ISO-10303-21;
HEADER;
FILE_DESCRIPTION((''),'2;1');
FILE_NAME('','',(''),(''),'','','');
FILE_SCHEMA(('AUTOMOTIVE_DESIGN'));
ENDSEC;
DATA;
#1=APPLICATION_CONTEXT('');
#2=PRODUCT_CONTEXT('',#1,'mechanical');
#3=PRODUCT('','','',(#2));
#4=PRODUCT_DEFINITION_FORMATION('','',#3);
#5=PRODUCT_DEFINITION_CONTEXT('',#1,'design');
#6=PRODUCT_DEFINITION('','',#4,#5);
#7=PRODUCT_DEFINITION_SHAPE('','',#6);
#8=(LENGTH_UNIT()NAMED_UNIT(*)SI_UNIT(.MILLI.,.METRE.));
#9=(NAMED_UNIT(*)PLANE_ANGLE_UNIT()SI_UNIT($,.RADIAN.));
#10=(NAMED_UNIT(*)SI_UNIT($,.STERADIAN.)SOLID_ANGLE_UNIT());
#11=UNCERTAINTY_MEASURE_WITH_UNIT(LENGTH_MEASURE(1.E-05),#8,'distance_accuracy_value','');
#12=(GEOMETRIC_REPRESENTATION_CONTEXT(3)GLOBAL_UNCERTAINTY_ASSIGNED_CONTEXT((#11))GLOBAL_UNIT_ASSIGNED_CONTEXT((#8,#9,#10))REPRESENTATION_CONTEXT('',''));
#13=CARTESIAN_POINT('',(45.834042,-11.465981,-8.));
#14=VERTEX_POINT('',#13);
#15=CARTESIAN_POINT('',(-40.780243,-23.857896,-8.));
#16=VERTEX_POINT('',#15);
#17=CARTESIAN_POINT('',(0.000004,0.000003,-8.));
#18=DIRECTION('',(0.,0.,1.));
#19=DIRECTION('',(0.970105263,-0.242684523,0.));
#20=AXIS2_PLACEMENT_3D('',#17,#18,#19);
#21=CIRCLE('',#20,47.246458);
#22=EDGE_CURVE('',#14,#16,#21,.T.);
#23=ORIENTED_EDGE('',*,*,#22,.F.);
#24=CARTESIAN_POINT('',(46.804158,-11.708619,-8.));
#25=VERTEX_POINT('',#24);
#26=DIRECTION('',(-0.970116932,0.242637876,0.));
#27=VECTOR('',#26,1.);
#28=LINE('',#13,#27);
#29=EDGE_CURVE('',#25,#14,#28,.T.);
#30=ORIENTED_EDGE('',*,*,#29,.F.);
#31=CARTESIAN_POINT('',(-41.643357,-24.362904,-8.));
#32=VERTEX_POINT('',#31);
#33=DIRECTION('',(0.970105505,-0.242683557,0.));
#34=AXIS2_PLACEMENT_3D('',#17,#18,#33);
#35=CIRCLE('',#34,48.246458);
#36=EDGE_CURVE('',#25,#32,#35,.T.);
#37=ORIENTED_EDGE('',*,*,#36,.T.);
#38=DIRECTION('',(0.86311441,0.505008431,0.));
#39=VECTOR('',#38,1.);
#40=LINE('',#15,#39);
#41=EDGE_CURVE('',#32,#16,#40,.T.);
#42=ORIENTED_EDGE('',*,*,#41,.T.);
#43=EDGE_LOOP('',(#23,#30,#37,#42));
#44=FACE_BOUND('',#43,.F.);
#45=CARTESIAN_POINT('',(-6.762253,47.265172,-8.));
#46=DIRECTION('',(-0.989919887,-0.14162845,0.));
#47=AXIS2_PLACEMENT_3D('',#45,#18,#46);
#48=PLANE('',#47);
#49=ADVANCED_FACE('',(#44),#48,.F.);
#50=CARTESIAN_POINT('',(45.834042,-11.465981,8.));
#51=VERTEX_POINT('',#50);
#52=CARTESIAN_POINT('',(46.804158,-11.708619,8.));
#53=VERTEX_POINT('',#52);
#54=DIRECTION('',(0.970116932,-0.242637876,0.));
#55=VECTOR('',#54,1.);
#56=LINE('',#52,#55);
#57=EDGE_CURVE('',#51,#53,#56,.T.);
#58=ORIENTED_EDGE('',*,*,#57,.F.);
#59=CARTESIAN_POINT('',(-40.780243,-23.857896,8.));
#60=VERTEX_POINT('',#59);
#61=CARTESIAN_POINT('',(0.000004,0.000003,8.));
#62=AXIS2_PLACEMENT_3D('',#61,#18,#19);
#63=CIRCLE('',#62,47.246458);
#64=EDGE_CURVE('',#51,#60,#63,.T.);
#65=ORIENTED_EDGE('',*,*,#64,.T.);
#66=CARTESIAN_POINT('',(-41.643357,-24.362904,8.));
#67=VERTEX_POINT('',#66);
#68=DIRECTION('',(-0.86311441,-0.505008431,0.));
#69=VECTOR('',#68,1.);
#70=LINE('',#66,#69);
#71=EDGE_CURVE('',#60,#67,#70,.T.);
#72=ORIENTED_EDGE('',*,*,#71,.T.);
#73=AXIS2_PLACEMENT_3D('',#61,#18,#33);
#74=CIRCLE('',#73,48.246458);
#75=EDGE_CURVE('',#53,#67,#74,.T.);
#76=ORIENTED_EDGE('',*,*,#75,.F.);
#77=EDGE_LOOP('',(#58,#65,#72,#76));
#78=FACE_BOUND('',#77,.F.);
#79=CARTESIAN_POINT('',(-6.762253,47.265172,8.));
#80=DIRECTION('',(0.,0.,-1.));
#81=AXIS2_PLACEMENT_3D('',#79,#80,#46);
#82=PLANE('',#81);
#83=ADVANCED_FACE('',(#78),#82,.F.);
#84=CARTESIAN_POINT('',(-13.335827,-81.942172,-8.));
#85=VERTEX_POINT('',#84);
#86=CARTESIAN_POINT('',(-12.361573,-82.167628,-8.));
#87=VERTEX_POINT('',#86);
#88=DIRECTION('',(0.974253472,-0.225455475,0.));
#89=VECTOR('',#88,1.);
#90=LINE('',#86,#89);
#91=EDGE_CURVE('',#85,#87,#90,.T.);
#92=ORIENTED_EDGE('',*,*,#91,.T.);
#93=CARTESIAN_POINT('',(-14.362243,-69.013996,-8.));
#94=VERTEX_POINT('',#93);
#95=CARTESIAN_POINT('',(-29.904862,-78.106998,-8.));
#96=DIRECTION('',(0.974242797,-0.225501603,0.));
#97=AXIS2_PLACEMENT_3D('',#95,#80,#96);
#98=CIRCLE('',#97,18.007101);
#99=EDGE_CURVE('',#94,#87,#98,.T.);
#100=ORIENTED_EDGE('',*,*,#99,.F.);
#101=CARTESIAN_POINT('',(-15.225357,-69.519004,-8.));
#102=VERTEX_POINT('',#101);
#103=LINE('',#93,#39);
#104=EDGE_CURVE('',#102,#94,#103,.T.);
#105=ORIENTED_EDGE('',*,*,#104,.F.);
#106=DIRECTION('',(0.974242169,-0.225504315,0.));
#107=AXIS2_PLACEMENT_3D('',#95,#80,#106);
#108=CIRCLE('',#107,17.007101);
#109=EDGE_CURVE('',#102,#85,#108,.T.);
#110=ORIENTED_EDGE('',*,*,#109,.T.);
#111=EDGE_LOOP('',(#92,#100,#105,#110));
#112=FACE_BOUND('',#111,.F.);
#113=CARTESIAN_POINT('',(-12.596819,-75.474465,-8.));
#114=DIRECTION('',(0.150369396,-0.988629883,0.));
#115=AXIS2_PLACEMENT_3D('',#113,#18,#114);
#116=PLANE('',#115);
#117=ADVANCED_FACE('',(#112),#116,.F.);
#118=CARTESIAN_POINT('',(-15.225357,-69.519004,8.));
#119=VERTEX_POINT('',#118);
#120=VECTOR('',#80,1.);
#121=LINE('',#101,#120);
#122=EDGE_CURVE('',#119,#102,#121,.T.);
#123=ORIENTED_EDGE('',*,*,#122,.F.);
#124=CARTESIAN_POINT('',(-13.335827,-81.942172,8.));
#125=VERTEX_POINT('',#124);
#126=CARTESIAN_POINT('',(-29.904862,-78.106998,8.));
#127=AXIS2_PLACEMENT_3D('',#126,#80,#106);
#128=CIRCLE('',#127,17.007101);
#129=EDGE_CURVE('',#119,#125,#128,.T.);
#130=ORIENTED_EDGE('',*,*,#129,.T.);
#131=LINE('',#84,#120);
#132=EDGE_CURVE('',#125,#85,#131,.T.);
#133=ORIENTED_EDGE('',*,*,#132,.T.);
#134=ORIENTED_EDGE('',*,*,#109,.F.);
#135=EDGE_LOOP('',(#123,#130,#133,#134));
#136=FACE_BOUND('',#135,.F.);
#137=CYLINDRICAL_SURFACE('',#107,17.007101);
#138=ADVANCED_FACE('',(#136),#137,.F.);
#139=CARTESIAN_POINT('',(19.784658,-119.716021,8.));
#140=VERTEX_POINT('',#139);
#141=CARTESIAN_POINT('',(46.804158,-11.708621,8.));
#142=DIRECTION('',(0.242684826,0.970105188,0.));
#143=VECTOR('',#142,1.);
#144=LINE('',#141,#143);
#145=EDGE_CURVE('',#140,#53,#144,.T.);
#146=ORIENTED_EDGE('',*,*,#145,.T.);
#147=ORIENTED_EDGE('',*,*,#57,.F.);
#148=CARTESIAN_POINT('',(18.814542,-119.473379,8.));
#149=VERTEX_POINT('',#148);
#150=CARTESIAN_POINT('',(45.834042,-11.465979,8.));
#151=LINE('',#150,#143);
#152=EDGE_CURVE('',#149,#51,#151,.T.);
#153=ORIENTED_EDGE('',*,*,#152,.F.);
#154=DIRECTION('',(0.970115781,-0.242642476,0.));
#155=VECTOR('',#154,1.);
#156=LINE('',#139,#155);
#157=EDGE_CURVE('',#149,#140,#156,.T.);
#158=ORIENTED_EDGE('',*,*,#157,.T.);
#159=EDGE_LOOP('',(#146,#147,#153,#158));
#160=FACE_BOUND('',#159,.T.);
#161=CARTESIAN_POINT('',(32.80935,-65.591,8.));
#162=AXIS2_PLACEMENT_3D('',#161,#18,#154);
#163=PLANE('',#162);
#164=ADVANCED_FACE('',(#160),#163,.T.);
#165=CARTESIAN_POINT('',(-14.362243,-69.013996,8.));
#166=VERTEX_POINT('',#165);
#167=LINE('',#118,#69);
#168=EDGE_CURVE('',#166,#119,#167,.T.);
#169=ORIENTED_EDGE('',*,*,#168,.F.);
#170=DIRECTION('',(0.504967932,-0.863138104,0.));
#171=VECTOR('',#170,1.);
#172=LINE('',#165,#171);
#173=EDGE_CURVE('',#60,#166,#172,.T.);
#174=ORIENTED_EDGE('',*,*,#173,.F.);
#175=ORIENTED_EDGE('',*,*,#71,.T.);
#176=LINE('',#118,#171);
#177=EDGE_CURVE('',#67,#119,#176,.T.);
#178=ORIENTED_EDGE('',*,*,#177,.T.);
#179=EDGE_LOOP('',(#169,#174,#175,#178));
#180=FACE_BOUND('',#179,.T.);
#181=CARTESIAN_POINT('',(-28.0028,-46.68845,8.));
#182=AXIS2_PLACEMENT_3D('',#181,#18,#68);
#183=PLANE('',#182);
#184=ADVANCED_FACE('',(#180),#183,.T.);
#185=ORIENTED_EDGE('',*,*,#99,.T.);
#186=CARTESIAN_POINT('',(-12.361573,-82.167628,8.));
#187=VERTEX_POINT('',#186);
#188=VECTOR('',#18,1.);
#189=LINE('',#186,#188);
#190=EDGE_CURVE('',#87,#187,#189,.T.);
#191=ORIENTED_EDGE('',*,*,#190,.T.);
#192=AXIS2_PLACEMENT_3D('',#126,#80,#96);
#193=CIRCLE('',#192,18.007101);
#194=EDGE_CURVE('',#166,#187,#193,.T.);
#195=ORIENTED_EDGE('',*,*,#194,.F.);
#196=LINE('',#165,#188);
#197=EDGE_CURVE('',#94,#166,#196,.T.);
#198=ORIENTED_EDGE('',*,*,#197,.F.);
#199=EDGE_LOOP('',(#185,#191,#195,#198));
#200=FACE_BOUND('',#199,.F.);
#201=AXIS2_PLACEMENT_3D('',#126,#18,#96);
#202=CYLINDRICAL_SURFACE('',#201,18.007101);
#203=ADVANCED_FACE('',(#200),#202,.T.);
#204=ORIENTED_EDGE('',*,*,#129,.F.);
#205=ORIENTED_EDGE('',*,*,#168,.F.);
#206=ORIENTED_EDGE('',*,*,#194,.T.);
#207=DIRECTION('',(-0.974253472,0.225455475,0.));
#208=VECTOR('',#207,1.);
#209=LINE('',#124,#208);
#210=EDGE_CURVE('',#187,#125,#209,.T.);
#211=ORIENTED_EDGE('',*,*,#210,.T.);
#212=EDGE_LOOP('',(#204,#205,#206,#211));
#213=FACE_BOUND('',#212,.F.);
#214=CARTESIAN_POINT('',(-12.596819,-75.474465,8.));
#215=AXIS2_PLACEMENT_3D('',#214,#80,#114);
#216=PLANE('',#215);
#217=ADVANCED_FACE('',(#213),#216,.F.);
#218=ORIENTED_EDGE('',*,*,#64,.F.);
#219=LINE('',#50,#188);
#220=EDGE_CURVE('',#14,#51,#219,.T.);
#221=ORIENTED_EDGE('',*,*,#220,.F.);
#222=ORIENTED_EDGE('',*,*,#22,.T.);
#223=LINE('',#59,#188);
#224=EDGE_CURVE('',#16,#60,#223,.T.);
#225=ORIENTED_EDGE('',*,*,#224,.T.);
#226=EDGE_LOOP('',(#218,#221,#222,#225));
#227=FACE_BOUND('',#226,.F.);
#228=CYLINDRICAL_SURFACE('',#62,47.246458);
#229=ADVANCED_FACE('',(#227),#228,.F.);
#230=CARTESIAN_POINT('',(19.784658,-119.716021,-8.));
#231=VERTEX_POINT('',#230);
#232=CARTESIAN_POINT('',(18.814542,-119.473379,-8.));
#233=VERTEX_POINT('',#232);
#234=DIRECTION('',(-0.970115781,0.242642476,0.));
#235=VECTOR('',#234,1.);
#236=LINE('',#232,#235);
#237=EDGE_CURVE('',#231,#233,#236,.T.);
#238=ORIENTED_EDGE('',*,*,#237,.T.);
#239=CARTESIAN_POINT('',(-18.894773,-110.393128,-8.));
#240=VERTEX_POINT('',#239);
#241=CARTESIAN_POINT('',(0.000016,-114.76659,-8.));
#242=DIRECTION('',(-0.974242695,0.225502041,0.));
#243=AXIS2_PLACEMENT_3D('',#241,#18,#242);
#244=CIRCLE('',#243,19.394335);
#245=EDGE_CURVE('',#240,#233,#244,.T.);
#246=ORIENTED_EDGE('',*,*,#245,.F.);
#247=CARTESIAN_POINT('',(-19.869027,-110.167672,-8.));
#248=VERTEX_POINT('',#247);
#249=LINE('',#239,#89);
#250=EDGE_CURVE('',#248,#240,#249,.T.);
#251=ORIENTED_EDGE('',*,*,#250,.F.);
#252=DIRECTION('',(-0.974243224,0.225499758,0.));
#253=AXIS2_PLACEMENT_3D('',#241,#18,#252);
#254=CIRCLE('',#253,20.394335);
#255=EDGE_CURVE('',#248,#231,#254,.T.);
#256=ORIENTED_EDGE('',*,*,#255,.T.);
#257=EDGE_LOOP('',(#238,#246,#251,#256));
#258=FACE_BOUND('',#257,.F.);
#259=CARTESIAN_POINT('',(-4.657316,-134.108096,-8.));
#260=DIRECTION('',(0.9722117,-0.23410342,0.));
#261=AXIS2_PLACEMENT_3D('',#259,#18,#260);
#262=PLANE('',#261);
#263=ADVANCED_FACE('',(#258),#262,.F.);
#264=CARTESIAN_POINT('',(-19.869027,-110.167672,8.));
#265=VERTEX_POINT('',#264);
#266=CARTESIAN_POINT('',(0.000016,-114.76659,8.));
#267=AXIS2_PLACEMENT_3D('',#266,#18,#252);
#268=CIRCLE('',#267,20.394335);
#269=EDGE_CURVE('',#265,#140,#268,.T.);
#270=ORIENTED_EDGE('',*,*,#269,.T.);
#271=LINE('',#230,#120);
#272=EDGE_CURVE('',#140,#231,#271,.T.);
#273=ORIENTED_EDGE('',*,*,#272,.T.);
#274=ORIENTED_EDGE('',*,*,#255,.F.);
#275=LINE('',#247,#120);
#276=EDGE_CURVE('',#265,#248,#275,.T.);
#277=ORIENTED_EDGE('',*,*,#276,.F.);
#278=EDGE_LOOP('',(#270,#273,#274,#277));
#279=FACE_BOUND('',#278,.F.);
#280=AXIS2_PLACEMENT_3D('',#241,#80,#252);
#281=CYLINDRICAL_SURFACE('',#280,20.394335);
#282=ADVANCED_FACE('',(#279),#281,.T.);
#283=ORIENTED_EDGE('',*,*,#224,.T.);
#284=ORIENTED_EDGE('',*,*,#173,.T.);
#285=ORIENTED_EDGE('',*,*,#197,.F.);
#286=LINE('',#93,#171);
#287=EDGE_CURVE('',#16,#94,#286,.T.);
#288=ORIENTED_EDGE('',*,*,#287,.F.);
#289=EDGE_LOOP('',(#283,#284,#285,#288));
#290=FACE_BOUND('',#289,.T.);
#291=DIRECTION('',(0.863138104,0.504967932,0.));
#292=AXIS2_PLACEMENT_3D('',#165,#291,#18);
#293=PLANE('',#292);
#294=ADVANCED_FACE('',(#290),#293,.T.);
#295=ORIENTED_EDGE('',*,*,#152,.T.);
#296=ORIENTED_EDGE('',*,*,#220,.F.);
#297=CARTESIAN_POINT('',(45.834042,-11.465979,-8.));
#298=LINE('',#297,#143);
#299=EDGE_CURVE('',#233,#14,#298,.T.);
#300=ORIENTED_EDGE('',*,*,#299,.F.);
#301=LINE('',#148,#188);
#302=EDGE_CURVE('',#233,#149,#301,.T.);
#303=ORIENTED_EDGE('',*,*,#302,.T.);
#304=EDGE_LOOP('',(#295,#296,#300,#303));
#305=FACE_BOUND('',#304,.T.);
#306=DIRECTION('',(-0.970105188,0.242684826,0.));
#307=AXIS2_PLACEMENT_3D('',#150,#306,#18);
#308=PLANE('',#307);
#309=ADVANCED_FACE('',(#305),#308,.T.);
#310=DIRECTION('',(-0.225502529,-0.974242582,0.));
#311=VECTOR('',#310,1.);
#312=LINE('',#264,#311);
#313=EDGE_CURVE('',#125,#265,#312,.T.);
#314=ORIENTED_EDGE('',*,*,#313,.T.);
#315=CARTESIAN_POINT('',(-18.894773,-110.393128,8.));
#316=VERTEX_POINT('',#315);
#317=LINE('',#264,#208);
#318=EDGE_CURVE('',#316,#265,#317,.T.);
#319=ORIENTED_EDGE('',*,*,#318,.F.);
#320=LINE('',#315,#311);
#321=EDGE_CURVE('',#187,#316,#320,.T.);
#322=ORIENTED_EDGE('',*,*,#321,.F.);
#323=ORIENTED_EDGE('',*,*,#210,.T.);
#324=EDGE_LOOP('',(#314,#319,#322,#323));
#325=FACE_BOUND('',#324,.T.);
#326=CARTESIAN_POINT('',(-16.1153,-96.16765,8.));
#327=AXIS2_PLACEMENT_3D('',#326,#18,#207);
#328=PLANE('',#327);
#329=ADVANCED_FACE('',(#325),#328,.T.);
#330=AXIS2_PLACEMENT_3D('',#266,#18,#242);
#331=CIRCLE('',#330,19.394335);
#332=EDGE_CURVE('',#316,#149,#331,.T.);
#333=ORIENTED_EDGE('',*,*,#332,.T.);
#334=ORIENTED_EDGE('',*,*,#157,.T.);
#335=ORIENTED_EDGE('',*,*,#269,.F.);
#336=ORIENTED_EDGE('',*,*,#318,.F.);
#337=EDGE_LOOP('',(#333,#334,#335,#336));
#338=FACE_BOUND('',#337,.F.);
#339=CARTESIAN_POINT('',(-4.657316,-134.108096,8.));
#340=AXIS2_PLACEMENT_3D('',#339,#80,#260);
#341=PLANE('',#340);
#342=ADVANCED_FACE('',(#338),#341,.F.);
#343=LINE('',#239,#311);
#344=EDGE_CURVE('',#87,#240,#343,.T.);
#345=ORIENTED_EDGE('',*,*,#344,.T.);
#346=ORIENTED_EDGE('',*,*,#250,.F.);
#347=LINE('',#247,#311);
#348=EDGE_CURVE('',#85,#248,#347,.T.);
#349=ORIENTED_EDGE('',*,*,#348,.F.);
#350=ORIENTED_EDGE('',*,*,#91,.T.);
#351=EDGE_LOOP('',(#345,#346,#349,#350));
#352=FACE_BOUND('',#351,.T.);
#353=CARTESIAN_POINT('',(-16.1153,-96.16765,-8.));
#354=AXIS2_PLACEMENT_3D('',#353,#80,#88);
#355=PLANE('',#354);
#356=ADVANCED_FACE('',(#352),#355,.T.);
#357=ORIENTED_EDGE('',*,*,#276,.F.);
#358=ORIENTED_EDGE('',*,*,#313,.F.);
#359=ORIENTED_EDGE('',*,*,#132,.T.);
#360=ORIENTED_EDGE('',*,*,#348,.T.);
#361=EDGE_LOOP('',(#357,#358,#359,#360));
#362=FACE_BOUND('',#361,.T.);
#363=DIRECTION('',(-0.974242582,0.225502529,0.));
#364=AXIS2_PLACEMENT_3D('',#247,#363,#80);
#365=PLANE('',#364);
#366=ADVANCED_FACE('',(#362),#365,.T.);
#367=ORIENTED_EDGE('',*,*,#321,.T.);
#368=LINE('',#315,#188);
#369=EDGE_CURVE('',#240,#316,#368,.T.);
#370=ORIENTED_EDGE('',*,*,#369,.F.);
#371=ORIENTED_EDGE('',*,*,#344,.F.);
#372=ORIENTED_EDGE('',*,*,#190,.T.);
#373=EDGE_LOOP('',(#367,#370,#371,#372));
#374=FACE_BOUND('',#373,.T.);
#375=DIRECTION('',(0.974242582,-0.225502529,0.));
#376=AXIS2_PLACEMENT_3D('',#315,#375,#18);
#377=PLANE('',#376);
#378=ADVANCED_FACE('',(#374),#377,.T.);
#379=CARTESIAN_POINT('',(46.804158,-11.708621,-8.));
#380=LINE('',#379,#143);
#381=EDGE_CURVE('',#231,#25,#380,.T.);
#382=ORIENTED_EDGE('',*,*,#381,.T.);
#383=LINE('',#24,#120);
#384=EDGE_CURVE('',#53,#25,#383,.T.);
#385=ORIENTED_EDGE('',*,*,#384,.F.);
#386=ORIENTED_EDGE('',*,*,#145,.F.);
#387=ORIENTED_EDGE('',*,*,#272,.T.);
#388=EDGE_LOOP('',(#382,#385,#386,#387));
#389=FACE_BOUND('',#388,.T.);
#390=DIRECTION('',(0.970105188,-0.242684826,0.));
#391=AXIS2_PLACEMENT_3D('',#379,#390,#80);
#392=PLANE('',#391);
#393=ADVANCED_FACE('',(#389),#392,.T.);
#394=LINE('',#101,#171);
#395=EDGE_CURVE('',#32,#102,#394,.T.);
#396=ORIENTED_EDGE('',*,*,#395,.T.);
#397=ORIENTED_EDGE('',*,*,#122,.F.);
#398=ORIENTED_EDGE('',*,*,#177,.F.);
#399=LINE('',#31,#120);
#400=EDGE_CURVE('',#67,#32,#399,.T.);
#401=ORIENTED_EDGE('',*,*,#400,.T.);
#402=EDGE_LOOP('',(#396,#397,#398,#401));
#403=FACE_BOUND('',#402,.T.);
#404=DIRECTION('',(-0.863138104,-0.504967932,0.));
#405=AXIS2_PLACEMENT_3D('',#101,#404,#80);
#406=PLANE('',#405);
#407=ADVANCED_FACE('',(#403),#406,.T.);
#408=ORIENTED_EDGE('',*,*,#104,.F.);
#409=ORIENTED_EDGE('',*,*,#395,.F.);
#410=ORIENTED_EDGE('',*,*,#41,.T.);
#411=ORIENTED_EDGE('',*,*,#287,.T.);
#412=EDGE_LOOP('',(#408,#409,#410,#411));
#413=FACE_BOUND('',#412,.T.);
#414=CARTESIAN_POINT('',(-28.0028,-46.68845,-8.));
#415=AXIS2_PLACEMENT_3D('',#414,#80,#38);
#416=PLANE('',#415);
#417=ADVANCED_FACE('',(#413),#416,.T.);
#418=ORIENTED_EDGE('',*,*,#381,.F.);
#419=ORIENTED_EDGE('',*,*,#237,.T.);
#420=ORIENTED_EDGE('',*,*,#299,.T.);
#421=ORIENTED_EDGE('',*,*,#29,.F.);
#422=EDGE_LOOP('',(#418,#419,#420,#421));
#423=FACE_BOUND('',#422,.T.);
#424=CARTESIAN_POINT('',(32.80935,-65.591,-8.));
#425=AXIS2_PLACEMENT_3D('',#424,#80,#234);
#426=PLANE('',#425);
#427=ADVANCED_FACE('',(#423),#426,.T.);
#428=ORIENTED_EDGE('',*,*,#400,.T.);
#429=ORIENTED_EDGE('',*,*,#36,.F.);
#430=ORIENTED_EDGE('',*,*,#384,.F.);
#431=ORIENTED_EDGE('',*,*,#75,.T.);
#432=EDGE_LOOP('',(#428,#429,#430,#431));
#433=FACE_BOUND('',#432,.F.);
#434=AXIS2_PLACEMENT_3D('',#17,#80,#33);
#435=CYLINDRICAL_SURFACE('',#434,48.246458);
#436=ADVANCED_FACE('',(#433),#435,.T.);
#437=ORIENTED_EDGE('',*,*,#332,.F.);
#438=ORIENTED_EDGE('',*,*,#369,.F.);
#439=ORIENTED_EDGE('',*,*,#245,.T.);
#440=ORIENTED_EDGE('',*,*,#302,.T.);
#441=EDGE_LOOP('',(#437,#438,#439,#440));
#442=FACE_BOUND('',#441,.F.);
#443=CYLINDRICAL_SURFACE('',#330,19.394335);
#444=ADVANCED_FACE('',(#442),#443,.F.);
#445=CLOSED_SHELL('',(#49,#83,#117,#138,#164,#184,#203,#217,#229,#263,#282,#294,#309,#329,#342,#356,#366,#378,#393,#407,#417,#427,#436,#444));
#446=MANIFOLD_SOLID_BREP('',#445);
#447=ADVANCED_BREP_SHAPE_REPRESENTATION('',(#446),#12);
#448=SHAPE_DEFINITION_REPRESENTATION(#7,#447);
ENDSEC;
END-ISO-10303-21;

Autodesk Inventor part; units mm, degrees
sketch "Sketch Path" plane through (0, 0, 0) normal (0, 0, 1) x (1, 0, 0)
  arc A0 (46.3191, -11.5873) -> (-41.2118, -24.1104) centre (0, 0) ccw
  arc A1 (-19.3819, -110.2804) -> (19.2996, -119.5947) centre (0, -114.7666) ccw
  arc A2 (-12.8487, -82.0549) -> (-14.7938, -69.2665) centre (-29.9048, -78.107) ccw
  line L0 (-14.7938, -69.2665) -> (-41.2118, -24.1104)
  line L1 (46.3191, -11.5873) -> (19.2996, -119.5947)
  line L2 (-19.3819, -110.2804) -> (-12.8487, -82.0549)
ref_plane "Cross Section Plane" through (-41.2118, -24.1104, 0) normal (0.505, -0.8631, 0) x (0, 0, 1)
ref_plane "Work Plane2" through (0, 0, 0) normal (-1, 0, 0) x (0, 0, 1)
ref_plane "Work Plane3" through (0, -114.7666, 0) normal (0.3369, 0.9415, 0) x (0, 0, 1)
ref_plane "Work Plane6" through (-29.9048, -78.107, 0) normal (0.1785, 0.9839, 0) x (0, 0, 1)
sketch "Cross Section" plane through (-41.2118, -24.1104, 0) normal (0.505, -0.8631, 0) x (0, 0, 1)
  line L0 (-8, 0.5) -> (8, 0.5)
  line L1 (8, 0.5) -> (8, -0.5)
  line L2 (8, -0.5) -> (-8, -0.5)
  line L3 (-8, -0.5) -> (-8, 0.5)
  line L4 (-8, 0) -> (8, 0) construction
  point P0 (0, 0)
  point P1 (0, 0)
  dimension "d0" = 16
  dimension "d4" = 0.5
  dimension "d5" = 0.5
sweep "Belt" add profiles "Cross Section" path "Sketch Path"
equation "\"d0\" = da_B"
equation "\"d4\" = da_a"
equation "\"d5\" = da_a2"
equation "\"da_B\" = 16"
equation "\"da_pb\" = 5"
equation "\"da_L\" = 455"
equation "\"da_a\" = 0.5"
equation "\"da_S\" = 2.65"
equation "\"da_Beta\" = 20deg"
equation "\"da_Ht\" = 1.2"
equation "\"da_H\" = 2.2"
equation "\"da_a2\" = 0.5"
properties part number "Synchronous Belt" material "Rubber"
